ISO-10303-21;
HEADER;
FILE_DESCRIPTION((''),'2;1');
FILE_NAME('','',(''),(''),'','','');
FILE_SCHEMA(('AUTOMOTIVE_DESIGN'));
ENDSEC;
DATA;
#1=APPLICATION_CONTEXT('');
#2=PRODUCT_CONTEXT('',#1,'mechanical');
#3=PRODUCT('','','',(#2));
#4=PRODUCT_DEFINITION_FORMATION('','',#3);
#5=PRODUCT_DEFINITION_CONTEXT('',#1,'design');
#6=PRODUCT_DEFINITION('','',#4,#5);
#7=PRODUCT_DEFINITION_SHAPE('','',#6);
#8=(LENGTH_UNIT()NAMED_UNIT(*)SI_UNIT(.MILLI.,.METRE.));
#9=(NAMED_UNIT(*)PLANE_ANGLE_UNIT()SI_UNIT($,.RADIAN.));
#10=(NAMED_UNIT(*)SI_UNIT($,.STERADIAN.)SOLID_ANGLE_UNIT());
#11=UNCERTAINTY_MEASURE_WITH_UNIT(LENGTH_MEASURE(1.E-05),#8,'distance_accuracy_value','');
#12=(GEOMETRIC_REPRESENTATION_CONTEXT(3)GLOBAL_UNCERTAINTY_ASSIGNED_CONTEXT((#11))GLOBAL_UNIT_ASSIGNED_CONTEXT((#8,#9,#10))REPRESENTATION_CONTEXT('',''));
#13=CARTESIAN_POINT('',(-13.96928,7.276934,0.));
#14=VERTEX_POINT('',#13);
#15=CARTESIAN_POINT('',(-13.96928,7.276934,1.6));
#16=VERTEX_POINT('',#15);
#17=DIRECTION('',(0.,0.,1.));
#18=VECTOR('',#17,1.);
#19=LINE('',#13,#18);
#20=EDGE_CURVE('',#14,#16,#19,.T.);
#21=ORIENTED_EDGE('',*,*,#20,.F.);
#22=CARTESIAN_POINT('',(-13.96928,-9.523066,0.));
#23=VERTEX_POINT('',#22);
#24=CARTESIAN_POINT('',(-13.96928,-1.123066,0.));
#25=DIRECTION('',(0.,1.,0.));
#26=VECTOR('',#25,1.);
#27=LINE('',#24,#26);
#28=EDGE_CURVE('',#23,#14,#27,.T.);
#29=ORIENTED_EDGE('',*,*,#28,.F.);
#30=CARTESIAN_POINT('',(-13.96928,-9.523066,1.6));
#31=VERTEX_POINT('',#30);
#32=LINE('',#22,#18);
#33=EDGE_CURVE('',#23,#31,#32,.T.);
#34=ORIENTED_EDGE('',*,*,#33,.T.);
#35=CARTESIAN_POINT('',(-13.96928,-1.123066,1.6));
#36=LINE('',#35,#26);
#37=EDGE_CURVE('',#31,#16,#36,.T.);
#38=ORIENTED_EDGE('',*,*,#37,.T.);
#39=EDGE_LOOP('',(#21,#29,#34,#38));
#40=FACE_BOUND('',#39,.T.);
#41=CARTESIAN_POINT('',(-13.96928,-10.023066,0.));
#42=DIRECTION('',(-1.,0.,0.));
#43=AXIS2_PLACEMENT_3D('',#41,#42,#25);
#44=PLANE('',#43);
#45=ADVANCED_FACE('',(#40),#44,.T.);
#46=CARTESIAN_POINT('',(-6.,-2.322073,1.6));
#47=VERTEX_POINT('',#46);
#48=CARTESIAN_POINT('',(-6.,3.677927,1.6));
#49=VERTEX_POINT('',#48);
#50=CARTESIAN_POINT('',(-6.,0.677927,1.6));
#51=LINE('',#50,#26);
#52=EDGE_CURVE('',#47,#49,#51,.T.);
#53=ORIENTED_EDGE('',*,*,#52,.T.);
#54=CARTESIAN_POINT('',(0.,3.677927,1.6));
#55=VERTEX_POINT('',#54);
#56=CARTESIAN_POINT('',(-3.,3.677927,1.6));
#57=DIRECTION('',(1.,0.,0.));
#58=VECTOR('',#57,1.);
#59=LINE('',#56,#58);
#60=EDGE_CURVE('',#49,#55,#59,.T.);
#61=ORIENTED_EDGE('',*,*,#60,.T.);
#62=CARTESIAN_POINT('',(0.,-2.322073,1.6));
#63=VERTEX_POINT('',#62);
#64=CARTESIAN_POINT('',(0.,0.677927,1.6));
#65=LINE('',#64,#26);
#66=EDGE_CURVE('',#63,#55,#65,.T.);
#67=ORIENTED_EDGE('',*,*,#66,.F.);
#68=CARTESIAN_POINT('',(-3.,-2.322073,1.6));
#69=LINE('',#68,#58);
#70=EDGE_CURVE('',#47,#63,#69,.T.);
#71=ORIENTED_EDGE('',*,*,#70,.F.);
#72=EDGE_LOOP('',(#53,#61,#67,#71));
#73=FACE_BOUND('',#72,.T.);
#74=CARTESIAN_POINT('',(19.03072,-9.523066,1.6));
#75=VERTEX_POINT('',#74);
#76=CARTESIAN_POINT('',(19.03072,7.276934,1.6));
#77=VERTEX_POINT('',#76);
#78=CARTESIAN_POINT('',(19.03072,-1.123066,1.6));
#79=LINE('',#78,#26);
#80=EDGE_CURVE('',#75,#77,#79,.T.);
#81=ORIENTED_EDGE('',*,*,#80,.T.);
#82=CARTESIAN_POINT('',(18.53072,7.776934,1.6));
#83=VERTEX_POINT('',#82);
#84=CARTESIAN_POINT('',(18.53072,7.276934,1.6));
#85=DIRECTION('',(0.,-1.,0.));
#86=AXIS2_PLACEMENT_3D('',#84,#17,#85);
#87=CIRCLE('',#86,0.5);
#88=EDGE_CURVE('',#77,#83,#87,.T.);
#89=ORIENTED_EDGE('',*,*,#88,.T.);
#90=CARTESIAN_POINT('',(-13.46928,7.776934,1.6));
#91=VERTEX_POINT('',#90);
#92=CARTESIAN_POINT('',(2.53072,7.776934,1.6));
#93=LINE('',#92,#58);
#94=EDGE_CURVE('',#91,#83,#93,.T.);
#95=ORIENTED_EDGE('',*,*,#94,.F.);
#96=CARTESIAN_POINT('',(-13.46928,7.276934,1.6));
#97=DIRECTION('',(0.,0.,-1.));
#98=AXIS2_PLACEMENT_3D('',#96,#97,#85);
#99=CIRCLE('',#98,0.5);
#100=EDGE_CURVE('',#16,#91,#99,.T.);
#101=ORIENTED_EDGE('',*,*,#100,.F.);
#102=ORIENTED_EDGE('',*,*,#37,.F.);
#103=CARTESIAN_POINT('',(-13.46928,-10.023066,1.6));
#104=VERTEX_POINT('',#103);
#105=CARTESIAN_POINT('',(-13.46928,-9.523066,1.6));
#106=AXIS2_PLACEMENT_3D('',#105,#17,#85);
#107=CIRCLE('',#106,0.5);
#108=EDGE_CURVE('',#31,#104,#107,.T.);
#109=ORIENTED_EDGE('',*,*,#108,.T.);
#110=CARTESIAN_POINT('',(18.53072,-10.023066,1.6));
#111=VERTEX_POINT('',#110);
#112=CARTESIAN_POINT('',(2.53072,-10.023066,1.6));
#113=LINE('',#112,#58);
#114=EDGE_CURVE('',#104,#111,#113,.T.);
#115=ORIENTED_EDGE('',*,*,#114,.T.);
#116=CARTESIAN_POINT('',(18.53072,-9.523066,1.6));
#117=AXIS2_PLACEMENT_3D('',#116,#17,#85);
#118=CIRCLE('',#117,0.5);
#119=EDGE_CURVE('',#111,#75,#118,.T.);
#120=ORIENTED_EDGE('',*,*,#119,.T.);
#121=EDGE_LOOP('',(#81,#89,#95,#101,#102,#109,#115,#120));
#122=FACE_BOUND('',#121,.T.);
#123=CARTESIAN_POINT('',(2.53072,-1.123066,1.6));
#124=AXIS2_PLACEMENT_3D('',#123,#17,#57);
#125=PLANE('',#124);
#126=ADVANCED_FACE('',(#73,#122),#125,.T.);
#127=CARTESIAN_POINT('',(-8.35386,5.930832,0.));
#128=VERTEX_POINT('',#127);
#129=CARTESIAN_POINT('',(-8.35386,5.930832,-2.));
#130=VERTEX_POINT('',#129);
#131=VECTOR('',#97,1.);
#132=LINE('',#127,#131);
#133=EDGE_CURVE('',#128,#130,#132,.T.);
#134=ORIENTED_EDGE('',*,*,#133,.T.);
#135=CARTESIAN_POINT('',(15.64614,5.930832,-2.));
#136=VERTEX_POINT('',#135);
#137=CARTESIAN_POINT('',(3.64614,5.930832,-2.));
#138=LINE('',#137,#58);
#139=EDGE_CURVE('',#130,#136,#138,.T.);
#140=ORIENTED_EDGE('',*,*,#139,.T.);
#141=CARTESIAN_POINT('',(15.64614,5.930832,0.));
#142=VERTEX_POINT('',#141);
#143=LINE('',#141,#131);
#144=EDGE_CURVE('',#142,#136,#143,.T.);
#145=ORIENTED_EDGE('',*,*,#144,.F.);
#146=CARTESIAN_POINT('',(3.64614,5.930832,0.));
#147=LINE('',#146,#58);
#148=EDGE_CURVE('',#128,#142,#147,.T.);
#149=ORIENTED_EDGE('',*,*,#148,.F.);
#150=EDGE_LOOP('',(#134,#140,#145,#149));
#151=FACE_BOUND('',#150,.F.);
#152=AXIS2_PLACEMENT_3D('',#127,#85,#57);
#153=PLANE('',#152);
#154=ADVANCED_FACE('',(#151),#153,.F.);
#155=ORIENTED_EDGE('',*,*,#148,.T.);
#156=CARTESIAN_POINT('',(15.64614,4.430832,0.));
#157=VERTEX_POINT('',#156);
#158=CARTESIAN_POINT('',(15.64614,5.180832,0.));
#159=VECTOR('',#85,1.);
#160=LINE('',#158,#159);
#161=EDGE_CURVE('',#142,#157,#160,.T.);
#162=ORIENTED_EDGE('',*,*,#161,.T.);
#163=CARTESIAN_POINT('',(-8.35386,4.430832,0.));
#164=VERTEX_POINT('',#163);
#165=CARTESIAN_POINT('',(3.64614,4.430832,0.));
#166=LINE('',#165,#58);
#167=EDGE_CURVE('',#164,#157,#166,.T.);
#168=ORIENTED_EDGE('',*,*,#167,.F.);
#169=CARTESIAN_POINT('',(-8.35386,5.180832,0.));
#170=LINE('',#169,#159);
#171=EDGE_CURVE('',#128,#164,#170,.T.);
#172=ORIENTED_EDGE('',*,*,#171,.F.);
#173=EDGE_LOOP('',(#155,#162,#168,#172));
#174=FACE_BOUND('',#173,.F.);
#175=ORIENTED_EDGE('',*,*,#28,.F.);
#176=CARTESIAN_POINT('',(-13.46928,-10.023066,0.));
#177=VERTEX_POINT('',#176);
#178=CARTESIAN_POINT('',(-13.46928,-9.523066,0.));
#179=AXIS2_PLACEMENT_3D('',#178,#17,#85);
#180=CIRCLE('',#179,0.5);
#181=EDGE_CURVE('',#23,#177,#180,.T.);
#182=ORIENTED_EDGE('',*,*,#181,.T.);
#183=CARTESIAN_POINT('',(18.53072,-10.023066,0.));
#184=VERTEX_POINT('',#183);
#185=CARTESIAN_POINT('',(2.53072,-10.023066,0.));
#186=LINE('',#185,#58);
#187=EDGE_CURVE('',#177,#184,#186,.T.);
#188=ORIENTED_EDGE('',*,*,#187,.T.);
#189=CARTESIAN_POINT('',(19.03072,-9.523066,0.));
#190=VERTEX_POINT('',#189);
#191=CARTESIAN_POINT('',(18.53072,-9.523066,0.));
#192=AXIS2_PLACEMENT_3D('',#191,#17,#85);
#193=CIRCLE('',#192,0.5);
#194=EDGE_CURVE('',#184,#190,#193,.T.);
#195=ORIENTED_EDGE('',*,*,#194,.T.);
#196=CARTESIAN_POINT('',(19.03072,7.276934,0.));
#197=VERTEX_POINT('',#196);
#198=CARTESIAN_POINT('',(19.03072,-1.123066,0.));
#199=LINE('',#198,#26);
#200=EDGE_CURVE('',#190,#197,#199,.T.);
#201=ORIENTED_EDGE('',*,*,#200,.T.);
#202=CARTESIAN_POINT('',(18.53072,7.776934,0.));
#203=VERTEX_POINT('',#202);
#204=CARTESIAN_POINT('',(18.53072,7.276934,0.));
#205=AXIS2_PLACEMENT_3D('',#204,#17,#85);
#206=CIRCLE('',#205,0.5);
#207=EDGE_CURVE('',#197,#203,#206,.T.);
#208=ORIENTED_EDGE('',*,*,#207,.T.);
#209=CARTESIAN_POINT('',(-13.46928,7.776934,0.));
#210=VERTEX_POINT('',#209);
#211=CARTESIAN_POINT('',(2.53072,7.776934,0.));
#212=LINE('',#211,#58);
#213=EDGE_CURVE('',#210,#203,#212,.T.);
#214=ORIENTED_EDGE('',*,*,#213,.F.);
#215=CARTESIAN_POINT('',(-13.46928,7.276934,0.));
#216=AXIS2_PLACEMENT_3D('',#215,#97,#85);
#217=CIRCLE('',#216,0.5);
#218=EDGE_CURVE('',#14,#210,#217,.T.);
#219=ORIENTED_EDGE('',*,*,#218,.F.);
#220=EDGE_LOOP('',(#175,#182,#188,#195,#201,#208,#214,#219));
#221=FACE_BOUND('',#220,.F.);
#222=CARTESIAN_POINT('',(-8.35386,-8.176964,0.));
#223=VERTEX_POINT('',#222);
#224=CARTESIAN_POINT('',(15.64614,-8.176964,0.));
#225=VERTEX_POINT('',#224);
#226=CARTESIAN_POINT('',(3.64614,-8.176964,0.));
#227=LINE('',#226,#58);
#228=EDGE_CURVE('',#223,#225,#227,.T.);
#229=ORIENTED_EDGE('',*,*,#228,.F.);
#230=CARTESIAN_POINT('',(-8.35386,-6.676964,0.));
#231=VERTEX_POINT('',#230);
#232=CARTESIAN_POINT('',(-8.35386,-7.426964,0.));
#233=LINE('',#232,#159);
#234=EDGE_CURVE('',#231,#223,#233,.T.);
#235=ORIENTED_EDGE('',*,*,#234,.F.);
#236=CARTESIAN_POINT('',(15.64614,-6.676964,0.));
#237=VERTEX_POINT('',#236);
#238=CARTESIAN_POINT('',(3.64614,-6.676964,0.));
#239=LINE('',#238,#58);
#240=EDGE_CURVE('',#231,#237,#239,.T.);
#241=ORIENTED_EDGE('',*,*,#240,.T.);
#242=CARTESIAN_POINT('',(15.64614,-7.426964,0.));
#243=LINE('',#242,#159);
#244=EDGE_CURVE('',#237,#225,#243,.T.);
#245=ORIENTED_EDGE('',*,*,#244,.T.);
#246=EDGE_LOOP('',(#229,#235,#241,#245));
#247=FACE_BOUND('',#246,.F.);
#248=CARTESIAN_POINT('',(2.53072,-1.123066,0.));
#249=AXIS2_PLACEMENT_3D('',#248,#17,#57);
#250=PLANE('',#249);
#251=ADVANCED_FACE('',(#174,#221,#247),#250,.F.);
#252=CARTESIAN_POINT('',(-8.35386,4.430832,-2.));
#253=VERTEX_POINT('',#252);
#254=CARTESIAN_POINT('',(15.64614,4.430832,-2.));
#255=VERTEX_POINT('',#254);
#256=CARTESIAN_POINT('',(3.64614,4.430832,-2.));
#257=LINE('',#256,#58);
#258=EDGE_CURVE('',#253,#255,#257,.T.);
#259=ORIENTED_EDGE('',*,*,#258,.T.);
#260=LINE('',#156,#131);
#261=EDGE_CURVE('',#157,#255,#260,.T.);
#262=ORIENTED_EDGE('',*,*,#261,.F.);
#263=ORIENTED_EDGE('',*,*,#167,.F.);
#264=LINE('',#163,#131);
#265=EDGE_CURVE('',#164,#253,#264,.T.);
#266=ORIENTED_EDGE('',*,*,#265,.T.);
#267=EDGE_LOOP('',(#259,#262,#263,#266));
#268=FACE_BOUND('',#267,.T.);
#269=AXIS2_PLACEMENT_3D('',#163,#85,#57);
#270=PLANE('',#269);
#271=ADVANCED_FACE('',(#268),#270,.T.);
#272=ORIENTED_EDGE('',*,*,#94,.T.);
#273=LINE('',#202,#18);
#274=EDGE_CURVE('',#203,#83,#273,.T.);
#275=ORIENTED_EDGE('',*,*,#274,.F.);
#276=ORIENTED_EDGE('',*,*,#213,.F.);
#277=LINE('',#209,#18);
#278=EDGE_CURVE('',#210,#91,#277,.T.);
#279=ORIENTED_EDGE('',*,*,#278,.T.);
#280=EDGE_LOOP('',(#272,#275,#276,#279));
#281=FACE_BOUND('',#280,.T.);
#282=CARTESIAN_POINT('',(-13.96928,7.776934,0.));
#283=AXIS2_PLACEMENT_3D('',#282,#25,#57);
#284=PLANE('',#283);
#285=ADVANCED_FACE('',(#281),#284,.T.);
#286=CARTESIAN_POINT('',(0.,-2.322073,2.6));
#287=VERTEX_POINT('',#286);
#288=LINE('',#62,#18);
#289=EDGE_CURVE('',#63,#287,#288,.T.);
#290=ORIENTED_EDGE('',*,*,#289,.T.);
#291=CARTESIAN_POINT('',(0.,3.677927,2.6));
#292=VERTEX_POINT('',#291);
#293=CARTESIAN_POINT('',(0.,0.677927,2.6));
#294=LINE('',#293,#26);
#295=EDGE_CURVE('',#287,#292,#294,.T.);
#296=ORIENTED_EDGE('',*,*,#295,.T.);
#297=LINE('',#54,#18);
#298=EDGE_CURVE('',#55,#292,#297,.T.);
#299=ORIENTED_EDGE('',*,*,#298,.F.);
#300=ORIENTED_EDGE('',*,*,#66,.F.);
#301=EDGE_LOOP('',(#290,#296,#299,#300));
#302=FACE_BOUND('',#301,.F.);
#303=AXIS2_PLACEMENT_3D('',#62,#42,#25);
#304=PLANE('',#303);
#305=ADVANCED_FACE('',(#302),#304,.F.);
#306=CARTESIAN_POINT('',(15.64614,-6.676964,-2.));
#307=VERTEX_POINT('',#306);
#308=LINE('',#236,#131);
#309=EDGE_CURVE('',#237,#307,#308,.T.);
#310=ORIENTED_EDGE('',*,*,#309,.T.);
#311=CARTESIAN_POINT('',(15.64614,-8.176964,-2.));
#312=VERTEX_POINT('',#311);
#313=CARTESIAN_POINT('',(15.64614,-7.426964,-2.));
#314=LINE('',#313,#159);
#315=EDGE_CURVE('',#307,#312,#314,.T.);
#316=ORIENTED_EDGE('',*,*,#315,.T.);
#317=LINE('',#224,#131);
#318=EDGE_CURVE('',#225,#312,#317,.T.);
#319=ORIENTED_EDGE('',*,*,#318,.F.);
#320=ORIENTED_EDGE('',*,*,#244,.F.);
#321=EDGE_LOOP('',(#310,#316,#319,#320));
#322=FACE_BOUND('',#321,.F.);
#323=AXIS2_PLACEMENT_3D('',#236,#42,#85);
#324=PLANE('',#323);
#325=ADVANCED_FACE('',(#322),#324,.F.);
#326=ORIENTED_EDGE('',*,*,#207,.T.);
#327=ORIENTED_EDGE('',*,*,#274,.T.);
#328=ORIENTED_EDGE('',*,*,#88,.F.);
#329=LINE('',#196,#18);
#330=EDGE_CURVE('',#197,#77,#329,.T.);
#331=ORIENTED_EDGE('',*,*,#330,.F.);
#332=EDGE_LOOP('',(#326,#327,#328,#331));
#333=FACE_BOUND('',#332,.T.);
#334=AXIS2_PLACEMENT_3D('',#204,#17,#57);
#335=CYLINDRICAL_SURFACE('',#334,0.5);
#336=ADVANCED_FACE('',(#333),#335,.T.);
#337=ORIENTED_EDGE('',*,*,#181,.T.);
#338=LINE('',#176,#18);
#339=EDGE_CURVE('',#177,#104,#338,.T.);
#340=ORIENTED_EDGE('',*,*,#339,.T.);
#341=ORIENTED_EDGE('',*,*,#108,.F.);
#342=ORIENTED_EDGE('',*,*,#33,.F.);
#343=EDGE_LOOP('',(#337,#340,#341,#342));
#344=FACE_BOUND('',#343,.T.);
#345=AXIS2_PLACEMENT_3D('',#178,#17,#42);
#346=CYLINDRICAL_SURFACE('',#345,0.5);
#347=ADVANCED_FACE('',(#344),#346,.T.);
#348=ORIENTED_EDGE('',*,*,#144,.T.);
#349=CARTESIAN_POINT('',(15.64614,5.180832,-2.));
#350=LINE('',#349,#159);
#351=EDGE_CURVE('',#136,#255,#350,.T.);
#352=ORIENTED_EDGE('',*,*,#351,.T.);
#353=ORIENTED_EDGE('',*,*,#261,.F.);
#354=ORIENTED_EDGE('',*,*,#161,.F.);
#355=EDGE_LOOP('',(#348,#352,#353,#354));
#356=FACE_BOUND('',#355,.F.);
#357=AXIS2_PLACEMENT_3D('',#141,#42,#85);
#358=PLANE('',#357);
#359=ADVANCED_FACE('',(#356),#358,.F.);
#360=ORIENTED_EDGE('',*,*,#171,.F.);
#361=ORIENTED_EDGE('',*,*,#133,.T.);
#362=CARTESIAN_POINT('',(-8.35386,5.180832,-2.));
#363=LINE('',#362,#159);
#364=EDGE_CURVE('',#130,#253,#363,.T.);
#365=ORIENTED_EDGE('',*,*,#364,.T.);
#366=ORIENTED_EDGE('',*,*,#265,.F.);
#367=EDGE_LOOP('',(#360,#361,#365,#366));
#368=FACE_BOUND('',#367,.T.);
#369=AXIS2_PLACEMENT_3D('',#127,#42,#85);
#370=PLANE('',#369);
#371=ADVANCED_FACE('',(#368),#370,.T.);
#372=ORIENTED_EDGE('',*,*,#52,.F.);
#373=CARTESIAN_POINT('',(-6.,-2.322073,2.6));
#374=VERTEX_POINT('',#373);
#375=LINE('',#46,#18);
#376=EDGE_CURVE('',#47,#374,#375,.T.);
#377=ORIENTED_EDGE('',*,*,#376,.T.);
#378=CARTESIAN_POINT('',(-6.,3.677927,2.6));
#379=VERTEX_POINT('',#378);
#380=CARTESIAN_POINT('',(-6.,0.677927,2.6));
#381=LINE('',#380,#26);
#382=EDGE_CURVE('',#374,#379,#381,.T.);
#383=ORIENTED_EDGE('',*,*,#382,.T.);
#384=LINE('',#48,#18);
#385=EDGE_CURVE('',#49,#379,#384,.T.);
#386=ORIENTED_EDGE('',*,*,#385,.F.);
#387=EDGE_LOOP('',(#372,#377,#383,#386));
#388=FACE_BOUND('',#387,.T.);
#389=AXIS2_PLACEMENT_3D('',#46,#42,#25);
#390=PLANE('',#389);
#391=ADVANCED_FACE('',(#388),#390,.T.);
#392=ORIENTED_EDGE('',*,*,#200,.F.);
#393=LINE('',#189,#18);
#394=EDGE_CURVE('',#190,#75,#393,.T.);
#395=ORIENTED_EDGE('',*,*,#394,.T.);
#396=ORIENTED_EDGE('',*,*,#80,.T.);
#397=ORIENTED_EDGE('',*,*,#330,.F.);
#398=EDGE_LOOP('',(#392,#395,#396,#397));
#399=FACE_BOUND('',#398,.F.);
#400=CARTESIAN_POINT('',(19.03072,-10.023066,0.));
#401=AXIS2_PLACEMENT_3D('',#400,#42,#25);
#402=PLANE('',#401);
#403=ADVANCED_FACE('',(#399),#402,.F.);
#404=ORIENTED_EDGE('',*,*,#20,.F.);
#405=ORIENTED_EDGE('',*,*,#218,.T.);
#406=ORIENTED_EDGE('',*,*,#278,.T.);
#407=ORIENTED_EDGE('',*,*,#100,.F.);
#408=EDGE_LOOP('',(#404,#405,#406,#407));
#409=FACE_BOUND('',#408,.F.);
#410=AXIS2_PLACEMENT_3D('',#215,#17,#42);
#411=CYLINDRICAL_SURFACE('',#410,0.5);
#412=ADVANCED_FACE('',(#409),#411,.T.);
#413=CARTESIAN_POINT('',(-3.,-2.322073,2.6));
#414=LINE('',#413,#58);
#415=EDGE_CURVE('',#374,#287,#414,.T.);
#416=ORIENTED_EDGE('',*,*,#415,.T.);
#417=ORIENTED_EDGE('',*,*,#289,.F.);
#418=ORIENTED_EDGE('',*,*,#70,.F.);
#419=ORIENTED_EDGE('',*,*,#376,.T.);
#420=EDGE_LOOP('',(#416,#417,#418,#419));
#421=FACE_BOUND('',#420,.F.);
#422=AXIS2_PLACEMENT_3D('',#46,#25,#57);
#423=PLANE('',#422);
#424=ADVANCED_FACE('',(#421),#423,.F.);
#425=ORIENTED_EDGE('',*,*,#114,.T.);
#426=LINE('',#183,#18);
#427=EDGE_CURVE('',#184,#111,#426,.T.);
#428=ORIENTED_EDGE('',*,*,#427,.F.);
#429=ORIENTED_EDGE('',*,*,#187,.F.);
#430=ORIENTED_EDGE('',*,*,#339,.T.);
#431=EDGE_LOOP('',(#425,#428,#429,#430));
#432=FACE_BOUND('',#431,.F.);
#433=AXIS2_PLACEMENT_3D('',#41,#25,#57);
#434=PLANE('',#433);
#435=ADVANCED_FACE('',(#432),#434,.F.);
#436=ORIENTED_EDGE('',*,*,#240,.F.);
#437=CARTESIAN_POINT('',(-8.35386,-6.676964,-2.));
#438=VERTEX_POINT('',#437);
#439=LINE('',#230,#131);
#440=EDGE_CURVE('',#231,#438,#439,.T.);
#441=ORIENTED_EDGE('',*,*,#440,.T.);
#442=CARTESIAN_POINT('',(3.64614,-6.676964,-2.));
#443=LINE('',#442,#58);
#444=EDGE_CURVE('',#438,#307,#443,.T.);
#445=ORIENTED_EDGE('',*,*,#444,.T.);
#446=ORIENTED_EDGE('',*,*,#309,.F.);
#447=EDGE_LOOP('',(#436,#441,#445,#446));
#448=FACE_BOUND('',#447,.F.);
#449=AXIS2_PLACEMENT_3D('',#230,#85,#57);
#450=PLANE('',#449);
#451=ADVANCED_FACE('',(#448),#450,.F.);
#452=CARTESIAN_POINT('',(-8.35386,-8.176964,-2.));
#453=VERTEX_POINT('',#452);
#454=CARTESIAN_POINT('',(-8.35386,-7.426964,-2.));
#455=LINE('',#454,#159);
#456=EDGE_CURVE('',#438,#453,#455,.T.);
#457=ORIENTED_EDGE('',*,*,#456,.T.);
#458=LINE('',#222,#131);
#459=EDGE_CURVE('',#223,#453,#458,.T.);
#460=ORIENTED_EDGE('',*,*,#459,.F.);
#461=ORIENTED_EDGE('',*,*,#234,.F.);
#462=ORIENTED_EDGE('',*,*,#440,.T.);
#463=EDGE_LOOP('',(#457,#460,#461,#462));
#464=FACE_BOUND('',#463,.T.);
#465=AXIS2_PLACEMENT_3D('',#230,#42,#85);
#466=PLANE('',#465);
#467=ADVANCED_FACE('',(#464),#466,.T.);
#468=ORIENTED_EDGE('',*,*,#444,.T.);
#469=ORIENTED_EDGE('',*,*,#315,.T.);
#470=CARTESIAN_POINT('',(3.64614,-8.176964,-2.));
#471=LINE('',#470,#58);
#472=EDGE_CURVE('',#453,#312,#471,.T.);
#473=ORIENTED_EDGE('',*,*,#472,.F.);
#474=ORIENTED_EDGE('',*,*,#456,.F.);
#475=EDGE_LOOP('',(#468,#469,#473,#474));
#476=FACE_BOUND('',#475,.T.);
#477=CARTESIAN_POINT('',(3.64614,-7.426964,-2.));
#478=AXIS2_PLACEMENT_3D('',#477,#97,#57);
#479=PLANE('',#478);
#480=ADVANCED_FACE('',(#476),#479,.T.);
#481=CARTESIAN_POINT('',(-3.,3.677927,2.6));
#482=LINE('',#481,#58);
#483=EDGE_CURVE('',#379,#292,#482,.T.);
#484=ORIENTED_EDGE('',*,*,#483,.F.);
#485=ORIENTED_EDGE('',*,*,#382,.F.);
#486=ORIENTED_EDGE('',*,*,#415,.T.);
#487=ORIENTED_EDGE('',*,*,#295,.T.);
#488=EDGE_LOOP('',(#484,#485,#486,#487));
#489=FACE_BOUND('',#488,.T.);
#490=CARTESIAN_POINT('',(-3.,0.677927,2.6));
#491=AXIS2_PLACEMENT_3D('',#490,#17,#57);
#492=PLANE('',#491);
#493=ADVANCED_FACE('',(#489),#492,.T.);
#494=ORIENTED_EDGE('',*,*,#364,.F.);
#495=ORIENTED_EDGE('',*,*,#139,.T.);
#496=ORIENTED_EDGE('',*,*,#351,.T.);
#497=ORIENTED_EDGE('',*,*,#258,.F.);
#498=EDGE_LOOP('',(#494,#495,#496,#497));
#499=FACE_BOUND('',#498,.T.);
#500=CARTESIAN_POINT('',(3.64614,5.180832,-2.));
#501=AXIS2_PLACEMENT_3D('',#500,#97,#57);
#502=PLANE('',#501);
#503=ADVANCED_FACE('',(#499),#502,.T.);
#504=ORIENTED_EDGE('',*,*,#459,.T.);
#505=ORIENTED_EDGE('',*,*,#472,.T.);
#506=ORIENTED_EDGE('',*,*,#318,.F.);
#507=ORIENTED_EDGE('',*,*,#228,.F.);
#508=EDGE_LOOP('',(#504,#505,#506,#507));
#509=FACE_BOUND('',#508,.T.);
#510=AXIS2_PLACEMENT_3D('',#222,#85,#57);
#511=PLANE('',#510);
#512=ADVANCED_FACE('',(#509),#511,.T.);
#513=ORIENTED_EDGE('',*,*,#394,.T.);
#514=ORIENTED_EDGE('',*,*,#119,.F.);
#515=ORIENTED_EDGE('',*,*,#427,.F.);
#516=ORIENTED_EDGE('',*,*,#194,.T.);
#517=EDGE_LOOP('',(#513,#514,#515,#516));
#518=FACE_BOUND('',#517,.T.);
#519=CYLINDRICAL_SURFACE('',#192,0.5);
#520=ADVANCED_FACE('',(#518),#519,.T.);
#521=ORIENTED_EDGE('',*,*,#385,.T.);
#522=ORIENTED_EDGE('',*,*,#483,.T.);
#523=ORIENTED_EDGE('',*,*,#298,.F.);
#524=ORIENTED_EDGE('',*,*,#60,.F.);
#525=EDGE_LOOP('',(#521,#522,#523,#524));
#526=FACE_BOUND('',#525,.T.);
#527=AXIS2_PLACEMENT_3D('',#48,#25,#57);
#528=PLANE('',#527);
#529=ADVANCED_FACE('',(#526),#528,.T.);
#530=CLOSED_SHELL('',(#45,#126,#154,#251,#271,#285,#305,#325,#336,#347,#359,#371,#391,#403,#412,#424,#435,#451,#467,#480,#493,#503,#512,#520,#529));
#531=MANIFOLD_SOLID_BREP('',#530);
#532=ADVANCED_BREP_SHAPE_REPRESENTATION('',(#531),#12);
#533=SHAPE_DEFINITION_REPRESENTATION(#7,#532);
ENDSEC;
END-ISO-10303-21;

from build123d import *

# Parameters (mm, degrees)
F0_W     = 33
F0_H     = 17.8
F1_DEPTH = 1.6
F2_R     = 0.5
F3_W     = 6
F3_H     = 6
F4_DEPTH = 1
F5_W     = 24
F5_H     = 1.5
F6_DEPTH = 2


with BuildPart() as f1:
    # F0 (on Top) → F1 (new body)
    with BuildSketch(Plane.XY):
        with Locations((2.53072, -1.123066)):
            Rectangle(F0_W, F0_H)
    extrude(amount=F1_DEPTH)

    # F2
    f2_edges = [f1.edges().sort_by_distance(p)[0] for p in [
        (19.03072, -10.023066, 0.8),
        (-13.96928, -10.023066, 0.8),
        (19.03072, 7.776934, 0.8),
        (-13.96928, 7.776934, 0.8),
    ]]
    fillet(f2_edges, radius=F2_R)

    # F3 (on face) → F4 (join)
    with BuildSketch(Plane.XY.offset(1.6)):
        with Locations((-3, 0.677927)):
            Rectangle(F3_W, F3_H)
    extrude(amount=F4_DEPTH)

    # F5 (on face) → F6 (join)
    with BuildSketch(Plane(origin=(0, 0, 0), x_dir=(1, 0, 0), z_dir=(0, 0, -1))):
        with Locations((3.64614, 7.426964)):
            Rectangle(F5_W, F5_H)
        with Locations((3.64614, -5.180832)):
            Rectangle(F5_W, F5_H)
    extrude(amount=F6_DEPTH)


solid = f1.part
